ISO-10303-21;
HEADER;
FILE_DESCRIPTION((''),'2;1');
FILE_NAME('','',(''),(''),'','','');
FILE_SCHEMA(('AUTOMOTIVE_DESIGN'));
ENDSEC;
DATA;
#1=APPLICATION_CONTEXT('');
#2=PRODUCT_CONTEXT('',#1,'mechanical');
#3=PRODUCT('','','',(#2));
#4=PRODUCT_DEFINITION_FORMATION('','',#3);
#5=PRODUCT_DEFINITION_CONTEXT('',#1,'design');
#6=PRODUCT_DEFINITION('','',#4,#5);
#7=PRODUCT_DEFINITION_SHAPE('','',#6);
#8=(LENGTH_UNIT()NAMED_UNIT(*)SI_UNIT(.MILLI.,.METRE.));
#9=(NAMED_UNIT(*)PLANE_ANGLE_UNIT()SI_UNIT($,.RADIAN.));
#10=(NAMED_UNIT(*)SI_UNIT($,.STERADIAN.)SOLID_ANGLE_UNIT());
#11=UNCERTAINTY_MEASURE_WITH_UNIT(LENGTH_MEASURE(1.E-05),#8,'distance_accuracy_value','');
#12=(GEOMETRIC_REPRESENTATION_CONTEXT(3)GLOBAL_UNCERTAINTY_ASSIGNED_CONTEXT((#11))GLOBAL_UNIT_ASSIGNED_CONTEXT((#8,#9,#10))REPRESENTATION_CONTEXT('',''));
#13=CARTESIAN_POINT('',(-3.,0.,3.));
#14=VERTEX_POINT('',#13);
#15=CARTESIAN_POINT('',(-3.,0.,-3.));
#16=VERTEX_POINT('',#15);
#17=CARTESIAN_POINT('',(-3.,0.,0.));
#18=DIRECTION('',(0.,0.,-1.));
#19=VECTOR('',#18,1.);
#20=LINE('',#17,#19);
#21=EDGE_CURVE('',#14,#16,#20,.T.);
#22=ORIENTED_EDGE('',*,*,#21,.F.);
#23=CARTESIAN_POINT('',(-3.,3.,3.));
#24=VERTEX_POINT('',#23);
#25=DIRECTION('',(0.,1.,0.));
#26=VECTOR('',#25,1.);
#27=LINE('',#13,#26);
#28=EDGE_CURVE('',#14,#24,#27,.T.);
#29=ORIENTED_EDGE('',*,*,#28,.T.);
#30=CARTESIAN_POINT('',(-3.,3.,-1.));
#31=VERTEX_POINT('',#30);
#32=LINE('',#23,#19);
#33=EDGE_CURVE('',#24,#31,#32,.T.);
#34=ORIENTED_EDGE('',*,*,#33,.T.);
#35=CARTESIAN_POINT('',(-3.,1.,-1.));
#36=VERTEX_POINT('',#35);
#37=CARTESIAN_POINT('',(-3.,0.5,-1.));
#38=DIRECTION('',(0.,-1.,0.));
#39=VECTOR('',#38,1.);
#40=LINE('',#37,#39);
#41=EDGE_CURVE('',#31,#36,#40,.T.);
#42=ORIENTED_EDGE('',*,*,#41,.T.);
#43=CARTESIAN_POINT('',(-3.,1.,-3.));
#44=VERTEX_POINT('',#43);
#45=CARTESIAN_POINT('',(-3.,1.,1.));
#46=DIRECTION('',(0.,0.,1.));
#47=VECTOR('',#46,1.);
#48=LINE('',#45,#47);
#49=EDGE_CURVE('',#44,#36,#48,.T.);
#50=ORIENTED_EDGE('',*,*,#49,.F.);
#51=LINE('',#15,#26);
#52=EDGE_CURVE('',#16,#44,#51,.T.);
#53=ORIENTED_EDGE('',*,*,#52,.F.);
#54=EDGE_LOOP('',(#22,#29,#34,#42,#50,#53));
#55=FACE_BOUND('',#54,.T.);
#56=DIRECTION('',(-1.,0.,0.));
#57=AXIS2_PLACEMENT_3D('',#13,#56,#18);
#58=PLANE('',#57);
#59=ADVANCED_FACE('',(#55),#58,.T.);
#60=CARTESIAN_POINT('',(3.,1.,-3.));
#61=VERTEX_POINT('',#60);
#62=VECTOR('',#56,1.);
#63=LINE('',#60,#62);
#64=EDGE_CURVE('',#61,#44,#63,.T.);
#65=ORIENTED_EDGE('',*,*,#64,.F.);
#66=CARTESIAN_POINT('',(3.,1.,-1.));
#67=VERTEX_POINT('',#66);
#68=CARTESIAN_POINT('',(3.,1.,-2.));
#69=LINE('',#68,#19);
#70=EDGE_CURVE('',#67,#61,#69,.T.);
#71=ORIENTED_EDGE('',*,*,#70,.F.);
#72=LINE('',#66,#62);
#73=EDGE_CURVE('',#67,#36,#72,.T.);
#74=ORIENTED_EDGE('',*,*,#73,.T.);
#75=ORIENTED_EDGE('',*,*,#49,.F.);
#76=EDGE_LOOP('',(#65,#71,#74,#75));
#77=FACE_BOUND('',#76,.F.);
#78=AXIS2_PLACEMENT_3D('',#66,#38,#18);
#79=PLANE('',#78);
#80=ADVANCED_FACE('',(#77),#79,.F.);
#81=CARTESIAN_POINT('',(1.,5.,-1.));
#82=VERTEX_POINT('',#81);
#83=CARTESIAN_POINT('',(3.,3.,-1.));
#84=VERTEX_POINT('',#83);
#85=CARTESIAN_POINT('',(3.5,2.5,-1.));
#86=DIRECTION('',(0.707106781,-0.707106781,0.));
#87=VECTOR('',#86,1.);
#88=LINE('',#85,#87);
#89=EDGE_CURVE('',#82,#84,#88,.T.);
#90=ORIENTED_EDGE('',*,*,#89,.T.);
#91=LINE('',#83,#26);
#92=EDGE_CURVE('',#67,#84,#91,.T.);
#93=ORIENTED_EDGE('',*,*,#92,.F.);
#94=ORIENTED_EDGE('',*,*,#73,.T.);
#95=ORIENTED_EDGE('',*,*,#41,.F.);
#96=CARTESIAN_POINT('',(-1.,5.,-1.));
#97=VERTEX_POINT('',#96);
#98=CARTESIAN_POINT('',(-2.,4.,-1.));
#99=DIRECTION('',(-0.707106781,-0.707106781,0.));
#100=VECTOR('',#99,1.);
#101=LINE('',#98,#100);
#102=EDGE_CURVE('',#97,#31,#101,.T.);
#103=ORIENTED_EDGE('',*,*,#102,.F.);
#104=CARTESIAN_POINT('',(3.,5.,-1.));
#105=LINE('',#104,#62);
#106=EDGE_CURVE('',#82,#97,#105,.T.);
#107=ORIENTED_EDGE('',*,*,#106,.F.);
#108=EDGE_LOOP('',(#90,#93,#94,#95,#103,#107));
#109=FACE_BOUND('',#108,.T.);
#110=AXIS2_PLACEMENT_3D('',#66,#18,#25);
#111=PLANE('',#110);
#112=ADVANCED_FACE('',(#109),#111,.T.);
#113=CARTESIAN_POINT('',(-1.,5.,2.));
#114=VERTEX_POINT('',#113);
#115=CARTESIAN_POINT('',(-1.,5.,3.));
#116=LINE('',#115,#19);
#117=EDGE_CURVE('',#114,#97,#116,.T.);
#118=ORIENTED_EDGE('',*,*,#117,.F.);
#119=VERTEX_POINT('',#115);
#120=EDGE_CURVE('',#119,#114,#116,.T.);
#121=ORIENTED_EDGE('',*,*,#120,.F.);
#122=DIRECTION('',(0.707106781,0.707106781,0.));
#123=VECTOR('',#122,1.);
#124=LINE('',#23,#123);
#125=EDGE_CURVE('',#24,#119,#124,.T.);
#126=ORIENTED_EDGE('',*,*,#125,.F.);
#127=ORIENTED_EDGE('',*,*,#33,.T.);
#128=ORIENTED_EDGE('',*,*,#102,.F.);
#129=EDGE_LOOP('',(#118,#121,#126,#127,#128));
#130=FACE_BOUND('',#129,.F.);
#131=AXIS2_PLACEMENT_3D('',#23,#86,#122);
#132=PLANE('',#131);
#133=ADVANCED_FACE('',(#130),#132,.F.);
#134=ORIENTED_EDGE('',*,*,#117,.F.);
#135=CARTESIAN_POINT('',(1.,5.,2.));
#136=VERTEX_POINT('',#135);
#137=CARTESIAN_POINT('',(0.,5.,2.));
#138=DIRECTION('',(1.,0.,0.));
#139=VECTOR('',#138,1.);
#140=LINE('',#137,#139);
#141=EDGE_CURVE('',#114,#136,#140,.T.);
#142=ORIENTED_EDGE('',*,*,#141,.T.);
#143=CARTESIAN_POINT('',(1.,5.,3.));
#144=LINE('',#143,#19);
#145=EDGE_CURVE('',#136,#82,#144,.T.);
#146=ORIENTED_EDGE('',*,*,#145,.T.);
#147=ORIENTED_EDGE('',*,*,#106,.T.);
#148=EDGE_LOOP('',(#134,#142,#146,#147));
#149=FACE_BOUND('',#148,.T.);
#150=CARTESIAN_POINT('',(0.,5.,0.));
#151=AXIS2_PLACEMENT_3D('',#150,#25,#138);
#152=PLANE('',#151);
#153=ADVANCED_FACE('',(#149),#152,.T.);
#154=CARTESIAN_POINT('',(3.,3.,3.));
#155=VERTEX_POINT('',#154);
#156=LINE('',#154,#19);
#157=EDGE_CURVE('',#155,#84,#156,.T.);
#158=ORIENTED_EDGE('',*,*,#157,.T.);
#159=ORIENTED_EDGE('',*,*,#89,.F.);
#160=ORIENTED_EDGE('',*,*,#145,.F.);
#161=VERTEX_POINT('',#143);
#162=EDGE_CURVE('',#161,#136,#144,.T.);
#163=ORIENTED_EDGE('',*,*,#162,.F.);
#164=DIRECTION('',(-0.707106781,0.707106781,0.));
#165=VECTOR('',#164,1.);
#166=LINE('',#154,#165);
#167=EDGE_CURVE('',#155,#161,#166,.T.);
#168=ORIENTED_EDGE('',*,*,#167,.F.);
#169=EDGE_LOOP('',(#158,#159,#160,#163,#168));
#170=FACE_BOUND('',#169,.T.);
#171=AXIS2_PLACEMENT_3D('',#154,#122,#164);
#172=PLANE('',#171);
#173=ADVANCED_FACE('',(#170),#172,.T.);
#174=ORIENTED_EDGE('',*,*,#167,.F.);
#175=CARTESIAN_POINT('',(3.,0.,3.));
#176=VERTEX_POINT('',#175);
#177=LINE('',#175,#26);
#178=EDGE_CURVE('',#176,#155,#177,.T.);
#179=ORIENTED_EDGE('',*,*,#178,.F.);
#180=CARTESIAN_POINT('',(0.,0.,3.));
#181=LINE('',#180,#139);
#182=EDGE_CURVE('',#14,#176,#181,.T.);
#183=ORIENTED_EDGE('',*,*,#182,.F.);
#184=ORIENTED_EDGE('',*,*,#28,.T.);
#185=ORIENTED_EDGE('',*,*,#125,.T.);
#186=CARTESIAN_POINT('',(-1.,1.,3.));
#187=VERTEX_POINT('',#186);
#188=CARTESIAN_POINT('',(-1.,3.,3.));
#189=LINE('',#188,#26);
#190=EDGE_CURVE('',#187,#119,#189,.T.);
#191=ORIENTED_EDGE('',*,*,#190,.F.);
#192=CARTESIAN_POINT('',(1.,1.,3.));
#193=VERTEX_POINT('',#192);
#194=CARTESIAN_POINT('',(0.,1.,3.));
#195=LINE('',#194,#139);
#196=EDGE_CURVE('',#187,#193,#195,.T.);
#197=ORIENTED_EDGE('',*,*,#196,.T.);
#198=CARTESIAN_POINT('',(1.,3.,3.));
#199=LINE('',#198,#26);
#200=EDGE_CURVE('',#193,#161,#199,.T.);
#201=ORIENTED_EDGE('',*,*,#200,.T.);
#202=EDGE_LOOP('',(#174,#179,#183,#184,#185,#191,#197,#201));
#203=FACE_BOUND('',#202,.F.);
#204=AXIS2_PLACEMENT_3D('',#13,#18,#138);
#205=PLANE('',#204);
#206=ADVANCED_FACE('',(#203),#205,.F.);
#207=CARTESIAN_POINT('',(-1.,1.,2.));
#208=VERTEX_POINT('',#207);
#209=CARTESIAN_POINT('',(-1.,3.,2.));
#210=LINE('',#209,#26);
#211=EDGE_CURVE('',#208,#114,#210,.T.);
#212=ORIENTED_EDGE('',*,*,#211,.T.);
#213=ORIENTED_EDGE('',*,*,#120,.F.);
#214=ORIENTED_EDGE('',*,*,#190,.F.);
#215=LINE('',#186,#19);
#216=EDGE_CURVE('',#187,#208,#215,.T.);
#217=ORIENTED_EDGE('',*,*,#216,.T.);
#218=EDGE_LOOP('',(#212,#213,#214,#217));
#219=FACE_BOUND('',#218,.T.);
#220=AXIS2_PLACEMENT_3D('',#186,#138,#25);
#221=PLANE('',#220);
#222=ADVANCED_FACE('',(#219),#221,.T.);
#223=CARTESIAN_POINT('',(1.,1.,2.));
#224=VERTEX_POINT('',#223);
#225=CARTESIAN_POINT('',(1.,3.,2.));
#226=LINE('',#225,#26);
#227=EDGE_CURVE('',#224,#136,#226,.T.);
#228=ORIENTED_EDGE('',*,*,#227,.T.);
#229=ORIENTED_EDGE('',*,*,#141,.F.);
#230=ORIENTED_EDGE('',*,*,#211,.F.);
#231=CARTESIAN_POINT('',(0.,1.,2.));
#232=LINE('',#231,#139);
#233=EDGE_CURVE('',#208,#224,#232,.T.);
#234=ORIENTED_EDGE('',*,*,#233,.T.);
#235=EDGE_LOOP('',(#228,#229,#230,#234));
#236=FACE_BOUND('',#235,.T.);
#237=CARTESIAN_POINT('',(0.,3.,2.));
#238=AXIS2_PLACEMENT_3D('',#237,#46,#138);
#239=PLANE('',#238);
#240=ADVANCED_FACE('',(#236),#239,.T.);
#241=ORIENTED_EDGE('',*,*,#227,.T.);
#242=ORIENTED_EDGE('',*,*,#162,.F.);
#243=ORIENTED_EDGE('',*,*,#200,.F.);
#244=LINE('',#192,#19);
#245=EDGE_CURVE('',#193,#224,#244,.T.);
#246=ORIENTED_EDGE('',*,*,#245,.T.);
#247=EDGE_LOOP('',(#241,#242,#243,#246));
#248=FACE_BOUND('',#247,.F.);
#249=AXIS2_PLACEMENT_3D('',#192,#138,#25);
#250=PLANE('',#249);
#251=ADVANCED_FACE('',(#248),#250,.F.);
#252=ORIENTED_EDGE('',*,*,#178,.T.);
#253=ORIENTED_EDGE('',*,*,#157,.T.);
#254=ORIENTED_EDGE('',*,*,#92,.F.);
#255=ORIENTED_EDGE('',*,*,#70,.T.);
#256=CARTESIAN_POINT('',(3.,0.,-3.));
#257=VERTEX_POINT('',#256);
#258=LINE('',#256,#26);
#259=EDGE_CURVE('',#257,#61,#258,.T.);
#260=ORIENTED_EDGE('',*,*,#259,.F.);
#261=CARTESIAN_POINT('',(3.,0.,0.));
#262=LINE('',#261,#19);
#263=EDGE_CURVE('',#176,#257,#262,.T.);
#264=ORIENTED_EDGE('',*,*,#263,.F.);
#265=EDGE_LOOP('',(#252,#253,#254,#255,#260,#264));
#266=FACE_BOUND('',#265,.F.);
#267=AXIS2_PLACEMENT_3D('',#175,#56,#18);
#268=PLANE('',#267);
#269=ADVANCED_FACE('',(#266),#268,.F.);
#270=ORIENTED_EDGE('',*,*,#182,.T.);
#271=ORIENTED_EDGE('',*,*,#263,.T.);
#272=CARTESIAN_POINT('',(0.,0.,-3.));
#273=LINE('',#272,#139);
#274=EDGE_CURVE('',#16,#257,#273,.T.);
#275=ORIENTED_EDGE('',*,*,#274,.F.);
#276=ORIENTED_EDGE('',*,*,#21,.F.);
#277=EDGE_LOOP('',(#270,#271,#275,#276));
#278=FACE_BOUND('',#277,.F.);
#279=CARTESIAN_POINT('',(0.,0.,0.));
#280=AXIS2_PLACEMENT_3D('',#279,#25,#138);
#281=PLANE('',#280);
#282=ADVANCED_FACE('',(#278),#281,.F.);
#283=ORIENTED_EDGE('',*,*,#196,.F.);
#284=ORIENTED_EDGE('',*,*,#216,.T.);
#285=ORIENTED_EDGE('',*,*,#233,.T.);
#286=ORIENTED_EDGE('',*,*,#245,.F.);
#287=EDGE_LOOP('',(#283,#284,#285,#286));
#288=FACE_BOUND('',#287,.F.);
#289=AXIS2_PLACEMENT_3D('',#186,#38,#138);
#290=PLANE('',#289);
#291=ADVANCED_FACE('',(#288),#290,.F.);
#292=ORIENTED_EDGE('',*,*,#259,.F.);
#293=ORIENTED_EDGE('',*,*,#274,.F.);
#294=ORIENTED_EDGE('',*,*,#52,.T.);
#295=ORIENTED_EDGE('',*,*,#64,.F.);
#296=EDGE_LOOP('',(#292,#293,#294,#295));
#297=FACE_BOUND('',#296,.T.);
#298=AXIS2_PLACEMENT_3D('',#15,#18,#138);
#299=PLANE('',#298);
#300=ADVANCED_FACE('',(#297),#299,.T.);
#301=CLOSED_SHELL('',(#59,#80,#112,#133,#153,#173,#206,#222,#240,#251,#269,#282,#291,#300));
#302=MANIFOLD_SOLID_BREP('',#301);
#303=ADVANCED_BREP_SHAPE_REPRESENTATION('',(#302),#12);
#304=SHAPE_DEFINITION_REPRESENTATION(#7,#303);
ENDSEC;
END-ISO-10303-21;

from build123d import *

# Parameters (mm, degrees)
SKETCH2_W           = 6
SKETCH2_H           = 6
BOSS_EXTRUDE1_DEPTH = 5
SKETCH3_W           = 2
SKETCH3_H           = 4
CUT_EXTRUDE1_DEPTH  = 8
CUT_EXTRUDE2_DEPTH  = 8
SKETCH5_W           = 2
SKETCH5_H           = 4
CUT_EXTRUDE3_DEPTH  = 1


with BuildPart() as part:
    # Sketch2 → Boss-Extrude1 (new body)
    with BuildSketch(Plane(origin=(0, 0, 0), x_dir=(1, 0, 0), z_dir=(0, 1, 0))):
        Rectangle(SKETCH2_W, SKETCH2_H)
    extrude(amount=BOSS_EXTRUDE1_DEPTH)

    # Sketch3 → Cut-Extrude1 (cut)
    with BuildSketch(Plane(origin=(3, 0, 0), x_dir=(0, 0, -1), z_dir=(1, 0, 0))):
        with Locations((2, 3)):
            Rectangle(SKETCH3_W, SKETCH3_H)
    extrude(amount=-CUT_EXTRUDE1_DEPTH, mode=Mode.SUBTRACT)

    # Sketch4 → Cut-Extrude2 (cut)
    with BuildSketch(Plane.XY.offset(3)):
        Polygon((-3, 3), (-1, 5), (-3, 5), align=None)
        Polygon((1, 5), (3, 5), (3, 3), align=None)
    extrude(amount=-CUT_EXTRUDE2_DEPTH, mode=Mode.SUBTRACT)

    # Sketch5 → Cut-Extrude3 (cut)
    with BuildSketch(Plane.XY.offset(3)):
        with Locations((0, 3)):
            Rectangle(SKETCH5_W, SKETCH5_H)
    extrude(amount=-CUT_EXTRUDE3_DEPTH, mode=Mode.SUBTRACT)


solid = part.part
